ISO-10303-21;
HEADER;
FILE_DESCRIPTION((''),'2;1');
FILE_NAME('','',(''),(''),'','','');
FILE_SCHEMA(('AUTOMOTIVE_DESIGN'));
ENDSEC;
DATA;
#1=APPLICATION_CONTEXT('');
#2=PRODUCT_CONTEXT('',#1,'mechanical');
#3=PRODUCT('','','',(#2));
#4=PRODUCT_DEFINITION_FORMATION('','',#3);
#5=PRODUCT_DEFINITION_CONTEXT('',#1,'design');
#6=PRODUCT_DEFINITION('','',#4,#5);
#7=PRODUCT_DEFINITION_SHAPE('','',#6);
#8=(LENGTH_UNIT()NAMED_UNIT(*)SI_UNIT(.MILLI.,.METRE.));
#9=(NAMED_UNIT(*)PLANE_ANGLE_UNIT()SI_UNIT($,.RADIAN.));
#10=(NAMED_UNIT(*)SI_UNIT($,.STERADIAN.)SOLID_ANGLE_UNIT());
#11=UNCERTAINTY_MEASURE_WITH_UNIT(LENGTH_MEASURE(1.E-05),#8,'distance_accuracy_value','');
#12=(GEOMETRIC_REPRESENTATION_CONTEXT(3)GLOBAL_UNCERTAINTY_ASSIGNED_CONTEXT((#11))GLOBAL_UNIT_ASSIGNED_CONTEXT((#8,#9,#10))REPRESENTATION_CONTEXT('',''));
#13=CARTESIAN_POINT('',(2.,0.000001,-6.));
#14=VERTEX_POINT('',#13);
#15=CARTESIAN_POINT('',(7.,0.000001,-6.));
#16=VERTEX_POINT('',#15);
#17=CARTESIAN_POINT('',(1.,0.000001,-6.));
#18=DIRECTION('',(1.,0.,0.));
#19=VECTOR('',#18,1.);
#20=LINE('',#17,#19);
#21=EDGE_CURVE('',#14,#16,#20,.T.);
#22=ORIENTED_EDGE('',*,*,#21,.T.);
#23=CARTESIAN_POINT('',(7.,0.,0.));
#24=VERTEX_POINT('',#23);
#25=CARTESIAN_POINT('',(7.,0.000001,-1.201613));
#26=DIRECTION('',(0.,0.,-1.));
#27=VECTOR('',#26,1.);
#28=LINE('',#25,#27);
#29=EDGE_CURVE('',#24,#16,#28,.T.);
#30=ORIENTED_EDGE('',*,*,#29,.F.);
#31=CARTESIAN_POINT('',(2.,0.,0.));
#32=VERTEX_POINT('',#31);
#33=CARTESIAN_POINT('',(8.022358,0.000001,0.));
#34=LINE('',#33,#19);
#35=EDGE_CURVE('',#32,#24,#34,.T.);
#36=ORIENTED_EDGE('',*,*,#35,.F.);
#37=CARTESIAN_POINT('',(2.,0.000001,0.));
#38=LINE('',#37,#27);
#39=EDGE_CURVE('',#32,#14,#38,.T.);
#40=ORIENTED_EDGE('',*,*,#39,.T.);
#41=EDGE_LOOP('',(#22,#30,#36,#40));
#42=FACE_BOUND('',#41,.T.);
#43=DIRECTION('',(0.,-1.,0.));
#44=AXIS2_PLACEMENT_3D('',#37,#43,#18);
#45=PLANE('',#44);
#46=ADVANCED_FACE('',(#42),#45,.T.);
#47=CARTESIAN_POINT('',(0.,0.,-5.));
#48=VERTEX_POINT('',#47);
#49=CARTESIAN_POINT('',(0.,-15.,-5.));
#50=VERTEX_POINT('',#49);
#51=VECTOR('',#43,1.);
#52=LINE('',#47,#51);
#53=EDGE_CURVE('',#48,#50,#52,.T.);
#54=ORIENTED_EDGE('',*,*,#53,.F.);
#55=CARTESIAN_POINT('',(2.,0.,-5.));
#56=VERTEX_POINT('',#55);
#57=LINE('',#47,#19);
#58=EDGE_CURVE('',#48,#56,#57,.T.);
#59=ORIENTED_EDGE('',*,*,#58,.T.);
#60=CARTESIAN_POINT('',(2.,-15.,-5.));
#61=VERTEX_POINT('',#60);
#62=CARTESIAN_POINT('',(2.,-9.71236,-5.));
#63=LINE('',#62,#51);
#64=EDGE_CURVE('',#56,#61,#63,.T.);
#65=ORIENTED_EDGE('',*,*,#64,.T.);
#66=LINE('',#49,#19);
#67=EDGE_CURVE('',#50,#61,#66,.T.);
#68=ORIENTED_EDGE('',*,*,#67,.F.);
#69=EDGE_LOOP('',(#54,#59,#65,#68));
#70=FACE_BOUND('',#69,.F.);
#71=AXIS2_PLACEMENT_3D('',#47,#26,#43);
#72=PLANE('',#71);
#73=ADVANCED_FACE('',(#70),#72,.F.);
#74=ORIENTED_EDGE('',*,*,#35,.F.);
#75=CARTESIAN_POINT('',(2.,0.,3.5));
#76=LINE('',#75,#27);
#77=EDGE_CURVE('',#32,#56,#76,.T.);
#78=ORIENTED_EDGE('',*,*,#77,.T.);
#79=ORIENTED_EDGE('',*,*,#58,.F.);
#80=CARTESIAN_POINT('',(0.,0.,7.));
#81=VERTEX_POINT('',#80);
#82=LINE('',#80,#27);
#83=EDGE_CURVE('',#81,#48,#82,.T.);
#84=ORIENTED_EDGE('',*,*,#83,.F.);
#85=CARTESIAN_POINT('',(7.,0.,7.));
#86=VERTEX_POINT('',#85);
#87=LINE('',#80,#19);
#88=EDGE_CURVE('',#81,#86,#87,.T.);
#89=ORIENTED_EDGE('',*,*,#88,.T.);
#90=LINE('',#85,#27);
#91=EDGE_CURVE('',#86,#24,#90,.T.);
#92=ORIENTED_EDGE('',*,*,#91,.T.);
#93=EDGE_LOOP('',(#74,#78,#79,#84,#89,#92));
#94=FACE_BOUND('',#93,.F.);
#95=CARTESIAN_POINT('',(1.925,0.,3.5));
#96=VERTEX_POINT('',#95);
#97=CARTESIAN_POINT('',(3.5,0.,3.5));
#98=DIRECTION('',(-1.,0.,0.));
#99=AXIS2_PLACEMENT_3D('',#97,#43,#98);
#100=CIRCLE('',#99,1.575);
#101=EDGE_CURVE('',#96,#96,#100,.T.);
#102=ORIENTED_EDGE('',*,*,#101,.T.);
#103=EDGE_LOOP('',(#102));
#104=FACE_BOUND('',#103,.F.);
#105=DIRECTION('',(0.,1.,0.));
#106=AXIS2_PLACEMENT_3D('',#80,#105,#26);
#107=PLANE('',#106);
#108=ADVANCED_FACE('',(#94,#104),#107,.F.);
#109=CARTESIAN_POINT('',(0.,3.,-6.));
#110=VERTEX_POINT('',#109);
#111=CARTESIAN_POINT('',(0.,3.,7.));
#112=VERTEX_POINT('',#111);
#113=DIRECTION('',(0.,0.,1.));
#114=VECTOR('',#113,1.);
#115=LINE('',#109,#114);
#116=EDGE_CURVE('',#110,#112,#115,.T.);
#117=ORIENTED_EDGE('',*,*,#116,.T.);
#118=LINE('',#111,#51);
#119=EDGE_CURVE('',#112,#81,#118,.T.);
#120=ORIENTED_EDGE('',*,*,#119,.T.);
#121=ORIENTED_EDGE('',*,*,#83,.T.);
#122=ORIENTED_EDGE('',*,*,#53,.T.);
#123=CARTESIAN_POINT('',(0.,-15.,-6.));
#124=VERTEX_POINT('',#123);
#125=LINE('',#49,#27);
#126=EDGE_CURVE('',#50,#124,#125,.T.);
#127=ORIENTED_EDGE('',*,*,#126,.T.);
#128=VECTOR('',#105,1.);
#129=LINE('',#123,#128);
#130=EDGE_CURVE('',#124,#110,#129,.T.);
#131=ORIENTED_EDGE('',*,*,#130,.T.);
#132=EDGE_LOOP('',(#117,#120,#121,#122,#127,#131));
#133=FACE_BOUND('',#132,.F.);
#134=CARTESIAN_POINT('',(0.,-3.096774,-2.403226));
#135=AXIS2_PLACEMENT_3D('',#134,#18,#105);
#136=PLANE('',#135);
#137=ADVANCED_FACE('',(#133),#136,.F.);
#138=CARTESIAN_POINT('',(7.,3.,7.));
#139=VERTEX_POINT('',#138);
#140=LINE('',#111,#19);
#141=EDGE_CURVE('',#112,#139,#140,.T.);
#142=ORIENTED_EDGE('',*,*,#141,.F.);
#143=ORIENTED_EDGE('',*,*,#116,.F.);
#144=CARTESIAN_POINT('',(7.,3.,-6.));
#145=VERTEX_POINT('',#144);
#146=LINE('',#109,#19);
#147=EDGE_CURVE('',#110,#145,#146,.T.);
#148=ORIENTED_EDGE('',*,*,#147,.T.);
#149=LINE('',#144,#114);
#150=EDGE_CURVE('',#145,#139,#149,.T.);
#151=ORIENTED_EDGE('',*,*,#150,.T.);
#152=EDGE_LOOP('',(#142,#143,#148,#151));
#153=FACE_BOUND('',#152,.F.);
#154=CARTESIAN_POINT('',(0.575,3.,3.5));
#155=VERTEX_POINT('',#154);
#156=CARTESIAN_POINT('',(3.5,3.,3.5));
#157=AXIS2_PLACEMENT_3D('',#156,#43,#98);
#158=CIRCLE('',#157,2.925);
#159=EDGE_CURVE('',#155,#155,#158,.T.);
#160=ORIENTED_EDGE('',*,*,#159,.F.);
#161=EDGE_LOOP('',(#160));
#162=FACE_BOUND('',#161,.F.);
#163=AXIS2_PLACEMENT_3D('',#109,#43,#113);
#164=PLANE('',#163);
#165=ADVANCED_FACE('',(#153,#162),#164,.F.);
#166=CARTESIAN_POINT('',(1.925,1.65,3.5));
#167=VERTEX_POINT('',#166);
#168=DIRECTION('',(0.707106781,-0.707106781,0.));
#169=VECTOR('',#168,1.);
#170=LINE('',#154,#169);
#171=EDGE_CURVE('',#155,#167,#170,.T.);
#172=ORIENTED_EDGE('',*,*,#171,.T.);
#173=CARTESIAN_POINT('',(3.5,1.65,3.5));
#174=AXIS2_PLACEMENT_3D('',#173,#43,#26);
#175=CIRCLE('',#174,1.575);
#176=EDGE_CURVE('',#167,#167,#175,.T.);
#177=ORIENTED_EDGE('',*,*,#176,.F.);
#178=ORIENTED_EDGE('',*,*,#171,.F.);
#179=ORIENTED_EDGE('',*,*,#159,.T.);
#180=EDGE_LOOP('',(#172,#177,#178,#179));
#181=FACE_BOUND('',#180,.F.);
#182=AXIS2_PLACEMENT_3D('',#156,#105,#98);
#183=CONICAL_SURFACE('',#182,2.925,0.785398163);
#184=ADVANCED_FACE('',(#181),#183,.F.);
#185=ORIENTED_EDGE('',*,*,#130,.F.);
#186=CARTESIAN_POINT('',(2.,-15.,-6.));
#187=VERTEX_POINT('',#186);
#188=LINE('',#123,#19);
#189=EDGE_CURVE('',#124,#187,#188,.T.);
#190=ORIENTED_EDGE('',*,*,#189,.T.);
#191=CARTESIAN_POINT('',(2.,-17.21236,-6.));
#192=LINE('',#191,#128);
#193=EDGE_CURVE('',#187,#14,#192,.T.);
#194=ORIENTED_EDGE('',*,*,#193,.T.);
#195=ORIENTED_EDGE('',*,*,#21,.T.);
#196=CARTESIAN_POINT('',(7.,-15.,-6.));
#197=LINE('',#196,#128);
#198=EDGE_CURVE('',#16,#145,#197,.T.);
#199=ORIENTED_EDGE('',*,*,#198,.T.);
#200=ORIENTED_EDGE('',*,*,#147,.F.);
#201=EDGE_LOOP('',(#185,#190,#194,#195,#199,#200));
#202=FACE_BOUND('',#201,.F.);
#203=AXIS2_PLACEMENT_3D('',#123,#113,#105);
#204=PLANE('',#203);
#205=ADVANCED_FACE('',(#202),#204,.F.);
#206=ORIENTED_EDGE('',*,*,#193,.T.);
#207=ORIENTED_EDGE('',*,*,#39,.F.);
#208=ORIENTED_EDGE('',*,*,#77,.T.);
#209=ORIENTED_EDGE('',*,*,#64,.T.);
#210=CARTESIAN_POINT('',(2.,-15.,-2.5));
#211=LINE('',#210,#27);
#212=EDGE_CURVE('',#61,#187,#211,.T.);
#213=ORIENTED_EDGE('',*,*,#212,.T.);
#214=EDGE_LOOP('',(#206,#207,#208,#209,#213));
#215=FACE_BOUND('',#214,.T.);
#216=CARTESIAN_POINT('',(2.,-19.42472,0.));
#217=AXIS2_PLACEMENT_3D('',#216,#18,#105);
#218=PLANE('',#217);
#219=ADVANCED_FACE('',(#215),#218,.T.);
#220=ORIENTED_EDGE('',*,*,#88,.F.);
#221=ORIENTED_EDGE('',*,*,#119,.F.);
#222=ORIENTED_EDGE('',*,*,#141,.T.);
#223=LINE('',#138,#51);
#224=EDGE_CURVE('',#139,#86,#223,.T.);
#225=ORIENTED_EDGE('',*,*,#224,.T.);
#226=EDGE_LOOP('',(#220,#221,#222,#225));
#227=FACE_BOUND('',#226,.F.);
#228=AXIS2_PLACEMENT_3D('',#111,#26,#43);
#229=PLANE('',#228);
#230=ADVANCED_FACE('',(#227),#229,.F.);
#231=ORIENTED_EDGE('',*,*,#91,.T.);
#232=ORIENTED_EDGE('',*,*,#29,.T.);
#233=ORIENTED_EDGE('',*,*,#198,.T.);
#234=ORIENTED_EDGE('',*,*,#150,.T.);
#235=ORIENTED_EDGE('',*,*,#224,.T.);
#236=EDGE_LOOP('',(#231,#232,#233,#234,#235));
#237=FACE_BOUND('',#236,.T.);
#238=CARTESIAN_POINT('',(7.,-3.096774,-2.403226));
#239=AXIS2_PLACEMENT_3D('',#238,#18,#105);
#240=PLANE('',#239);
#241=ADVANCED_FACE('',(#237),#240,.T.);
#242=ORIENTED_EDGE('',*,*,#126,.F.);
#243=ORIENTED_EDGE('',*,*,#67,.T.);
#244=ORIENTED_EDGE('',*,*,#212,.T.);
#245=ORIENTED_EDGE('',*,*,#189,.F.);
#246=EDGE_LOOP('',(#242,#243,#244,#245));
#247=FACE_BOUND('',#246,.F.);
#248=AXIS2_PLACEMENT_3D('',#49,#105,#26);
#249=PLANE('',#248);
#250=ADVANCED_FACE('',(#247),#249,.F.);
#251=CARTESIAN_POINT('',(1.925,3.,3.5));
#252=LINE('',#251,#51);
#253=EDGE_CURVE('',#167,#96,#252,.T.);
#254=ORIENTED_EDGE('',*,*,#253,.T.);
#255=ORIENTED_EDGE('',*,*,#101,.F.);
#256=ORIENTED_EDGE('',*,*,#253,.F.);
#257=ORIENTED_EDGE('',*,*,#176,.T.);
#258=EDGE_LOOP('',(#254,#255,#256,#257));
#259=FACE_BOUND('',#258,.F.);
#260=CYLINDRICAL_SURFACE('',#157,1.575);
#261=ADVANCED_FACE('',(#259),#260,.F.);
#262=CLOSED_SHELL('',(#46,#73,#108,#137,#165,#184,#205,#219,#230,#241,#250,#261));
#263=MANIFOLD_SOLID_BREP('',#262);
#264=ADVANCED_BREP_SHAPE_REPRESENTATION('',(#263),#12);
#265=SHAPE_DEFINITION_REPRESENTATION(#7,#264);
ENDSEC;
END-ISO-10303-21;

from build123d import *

# Parameters (mm, degrees)
PAD_DEPTH        = 7
SKETCH001_W      = 12.044716
SKETCH001_H      = 19.424721
POCKET_DEPTH     = 6.001
HOLE_D           = 3.15
HOLE_CSINK_D     = 5.85
HOLE_CSINK_ANGLE = 90


with BuildPart() as part:
    # Sketch → Pad (new body)
    with BuildSketch(Plane.YZ):
        Polygon((0, 7), (0, -5), (-15, -5), (-15, -6), (3, -6), (3, 7), align=None)
    extrude(amount=PAD_DEPTH)

    # Sketch001 → Pocket (cut, through all)
    with BuildSketch(Plane.XY):
        with Locations((8.022358, -9.71236)):
            Rectangle(SKETCH001_W, SKETCH001_H)
    extrude(amount=-POCKET_DEPTH, mode=Mode.SUBTRACT)

    # Hole (through all)
    with Locations(Plane(origin=(0, 3, 0), x_dir=(1, 0, 0), z_dir=(0, 1, 0))):
        with Locations((3.5, -3.5)):
            CounterSinkHole(HOLE_D / 2, HOLE_CSINK_D / 2, counter_sink_angle=HOLE_CSINK_ANGLE)


solid = part.part
